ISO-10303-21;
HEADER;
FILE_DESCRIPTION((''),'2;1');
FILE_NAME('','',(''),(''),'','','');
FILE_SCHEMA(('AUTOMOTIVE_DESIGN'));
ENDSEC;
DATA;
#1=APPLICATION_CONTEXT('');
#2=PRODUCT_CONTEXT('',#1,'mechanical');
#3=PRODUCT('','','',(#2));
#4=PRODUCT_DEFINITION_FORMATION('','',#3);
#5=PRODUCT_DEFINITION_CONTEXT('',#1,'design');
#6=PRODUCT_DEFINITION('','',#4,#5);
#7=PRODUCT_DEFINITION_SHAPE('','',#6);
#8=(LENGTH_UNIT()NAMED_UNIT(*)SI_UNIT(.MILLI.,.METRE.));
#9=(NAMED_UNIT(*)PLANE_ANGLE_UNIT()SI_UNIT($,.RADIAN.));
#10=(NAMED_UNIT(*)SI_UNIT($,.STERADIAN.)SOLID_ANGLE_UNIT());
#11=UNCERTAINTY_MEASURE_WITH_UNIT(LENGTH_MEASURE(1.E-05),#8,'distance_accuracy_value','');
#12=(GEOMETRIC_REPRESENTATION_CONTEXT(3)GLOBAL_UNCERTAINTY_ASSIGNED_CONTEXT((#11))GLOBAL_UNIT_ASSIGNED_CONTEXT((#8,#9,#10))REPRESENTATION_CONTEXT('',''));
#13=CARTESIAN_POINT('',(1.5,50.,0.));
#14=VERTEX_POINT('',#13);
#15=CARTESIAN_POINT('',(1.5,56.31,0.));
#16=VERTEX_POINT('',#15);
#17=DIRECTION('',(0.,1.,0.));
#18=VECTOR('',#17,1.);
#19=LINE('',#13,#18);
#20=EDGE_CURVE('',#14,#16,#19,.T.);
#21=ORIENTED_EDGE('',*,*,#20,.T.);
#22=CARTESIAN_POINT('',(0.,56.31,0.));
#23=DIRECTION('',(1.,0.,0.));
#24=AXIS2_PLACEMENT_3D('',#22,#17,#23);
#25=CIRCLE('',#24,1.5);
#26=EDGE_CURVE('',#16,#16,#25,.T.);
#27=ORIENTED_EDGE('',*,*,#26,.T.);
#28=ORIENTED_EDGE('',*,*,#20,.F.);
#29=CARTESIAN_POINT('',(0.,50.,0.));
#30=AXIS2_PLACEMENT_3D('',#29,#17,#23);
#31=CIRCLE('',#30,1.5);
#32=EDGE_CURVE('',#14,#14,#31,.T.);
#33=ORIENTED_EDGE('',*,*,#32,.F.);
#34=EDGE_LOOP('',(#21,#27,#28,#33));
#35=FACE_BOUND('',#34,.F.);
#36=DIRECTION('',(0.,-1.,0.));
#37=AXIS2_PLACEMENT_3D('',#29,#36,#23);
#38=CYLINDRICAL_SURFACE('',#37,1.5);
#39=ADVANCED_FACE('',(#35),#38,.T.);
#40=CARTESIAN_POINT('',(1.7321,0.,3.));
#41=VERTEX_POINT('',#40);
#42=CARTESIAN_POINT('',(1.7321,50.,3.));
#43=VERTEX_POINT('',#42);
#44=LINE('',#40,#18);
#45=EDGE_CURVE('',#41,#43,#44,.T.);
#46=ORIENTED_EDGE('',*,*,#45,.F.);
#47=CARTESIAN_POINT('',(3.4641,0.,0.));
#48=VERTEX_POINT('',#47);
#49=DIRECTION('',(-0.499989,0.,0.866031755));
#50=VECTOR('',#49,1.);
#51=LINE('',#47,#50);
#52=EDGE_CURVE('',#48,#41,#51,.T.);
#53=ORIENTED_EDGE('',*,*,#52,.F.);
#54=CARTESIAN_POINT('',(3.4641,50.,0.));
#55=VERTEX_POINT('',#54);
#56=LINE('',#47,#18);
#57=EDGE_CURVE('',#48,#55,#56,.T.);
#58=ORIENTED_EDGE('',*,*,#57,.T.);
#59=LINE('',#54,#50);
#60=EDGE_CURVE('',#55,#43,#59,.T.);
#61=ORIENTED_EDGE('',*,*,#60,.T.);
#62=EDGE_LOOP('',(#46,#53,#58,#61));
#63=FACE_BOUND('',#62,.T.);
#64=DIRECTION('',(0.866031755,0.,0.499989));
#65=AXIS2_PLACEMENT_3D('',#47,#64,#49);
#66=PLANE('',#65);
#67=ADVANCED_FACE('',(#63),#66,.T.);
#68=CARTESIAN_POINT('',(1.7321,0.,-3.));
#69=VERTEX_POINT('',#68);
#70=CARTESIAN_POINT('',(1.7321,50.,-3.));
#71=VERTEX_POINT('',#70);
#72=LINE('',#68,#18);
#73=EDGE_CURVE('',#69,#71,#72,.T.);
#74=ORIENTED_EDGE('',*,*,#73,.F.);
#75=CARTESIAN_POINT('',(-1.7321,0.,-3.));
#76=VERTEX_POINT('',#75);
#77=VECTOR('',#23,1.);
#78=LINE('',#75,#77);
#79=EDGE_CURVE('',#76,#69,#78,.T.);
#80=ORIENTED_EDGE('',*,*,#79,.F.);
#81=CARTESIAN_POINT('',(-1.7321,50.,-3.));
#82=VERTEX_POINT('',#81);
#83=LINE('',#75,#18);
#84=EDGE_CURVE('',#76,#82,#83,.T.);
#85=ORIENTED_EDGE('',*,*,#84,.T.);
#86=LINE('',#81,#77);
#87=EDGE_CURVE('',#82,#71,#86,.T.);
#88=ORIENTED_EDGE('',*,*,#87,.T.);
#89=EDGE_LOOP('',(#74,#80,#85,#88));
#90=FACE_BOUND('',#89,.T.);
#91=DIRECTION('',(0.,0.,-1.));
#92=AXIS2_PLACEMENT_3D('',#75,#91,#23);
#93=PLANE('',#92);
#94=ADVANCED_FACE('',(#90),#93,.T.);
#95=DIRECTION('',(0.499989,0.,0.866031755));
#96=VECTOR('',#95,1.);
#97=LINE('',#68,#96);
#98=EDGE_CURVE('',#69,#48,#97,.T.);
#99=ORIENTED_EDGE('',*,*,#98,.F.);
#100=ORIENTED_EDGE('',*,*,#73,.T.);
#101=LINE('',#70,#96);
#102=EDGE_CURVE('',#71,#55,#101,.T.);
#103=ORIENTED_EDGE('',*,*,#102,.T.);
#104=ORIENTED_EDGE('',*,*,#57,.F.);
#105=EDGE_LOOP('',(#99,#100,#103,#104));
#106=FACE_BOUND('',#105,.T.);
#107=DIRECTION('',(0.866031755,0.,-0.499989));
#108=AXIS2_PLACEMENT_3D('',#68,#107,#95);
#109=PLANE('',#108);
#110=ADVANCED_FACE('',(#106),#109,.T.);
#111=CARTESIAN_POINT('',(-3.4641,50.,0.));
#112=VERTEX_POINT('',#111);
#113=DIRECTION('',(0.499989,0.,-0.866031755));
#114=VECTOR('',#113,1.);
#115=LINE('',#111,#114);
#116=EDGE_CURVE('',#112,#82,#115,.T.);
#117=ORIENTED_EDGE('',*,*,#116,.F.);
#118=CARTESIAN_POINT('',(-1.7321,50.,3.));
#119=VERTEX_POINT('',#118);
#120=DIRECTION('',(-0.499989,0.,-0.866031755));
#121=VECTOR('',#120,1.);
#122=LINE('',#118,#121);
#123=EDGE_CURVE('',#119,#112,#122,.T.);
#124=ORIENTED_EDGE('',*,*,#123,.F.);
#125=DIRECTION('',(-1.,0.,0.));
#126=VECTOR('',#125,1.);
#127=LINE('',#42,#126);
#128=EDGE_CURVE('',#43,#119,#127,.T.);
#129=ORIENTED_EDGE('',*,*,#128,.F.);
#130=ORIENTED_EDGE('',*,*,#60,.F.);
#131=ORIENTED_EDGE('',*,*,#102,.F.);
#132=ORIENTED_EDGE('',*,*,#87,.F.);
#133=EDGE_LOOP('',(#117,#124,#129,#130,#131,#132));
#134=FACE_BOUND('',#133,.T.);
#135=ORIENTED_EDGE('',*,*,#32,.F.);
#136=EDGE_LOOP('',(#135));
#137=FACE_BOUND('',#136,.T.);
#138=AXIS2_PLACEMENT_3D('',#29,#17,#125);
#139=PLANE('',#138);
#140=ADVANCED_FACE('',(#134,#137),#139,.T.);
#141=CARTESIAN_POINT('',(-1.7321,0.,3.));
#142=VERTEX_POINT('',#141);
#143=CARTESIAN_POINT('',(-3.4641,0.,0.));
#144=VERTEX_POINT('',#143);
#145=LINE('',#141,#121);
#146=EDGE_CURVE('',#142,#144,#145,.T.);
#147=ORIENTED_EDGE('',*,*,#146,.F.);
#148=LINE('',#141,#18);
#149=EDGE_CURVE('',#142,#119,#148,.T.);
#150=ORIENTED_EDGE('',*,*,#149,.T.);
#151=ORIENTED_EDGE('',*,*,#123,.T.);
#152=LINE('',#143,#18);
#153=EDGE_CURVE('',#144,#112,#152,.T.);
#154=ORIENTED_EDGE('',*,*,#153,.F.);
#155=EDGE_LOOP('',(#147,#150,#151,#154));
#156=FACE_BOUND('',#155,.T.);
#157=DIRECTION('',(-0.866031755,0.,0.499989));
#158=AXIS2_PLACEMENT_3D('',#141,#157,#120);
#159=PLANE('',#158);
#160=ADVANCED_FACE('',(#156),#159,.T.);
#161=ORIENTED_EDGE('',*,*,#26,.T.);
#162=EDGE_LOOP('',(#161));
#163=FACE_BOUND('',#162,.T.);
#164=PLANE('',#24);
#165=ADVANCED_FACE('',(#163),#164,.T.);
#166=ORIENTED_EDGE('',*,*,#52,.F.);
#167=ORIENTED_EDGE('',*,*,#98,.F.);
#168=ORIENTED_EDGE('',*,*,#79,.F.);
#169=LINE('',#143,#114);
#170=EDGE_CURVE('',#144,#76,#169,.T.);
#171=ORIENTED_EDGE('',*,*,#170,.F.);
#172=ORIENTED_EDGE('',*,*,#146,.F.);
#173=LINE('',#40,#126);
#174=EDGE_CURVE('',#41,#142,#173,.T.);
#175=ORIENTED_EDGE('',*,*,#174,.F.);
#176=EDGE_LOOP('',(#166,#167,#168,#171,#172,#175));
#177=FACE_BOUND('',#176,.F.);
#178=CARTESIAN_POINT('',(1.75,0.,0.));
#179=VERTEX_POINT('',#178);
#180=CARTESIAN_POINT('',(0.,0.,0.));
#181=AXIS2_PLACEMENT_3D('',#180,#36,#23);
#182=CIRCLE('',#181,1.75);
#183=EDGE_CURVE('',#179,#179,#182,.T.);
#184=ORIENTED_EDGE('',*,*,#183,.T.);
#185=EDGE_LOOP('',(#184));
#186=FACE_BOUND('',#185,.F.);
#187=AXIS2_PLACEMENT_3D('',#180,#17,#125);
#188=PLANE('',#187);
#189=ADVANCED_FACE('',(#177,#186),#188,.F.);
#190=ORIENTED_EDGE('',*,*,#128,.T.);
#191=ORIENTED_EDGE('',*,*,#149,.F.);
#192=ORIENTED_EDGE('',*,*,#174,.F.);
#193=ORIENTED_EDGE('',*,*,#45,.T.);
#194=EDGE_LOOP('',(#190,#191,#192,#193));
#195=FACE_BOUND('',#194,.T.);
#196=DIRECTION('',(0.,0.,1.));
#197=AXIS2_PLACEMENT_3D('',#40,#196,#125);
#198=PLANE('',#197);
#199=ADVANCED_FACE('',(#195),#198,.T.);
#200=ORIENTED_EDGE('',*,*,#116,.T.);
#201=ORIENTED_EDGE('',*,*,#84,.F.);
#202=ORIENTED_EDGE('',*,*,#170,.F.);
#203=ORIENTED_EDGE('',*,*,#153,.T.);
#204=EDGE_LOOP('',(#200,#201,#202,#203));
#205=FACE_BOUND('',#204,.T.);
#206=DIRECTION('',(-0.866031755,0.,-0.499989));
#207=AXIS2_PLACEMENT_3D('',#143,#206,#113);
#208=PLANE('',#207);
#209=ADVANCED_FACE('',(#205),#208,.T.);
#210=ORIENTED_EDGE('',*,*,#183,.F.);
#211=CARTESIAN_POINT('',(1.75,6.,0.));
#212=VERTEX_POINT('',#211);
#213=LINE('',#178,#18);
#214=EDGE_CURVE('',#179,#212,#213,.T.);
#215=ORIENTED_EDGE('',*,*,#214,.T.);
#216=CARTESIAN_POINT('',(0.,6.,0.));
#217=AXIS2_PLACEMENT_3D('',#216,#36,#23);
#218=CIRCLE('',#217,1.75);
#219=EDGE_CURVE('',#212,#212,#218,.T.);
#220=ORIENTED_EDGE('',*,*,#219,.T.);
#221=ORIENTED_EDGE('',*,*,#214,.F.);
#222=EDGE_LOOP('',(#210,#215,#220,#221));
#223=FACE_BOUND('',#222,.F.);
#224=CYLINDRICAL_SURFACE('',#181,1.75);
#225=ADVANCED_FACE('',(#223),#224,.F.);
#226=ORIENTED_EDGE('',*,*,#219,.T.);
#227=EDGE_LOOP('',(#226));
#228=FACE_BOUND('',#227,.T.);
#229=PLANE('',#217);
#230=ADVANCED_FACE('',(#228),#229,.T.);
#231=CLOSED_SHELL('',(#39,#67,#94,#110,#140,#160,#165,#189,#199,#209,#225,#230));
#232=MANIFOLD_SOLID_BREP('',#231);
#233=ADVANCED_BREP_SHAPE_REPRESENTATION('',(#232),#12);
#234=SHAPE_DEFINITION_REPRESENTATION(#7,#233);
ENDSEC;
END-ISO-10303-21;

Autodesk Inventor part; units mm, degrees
ref_plane "YZ Plane" through (0, 0, 0) normal (1, 0, 0) x (0, 1, 0)
ref_plane "XZ Plane" through (0, 0, 0) normal (0, 1, 0) x (-1, 0, 0)
ref_plane "XY Plane" through (0, 0, 0) normal (0, 0, 1) x (1, 0, 0)
sketch "Sketch1" plane through (0, 0, 0) normal (0, 1, 0) x (-1, 0, 0)
  line L0 (-3.4641, 0) -> (-1.7321, 3)
  line L1 (-1.7321, 3) -> (1.7321, 3)
  line L2 (1.7321, 3) -> (3.4641, 0)
  line L3 (3.4641, 0) -> (1.7321, -3)
  line L4 (1.7321, -3) -> (-1.7321, -3)
  line L5 (-1.7321, -3) -> (-3.4641, 0)
  point P0 (0, 0)
  point P1 (0, 0)
  dimension "d1" = 6
extrude "Extrusion1" add sketch "Sketch1" along normal blind 50
sketch "Sketch2" plane through (0, 0, 0) normal (0, -1, 0) x (1, 0, 0)
  circle A0 centre (0, 0) radius 1.75
  dimension "d4" = 3.5
sketch "Sketch3" plane through (0, 50, 0) normal (0, 1, 0) x (1, 0, 0)
  circle A0 centre (0, 0) radius 1.5
  dimension "d5" = 3
extrude "Extrusion2" add sketch "Sketch3" along normal blind 6.31
extrude "Extrusion3" cut sketch "Sketch2" against normal blind 6
thread "Thread1" size "M3x0.35" class "6g" standard "ANSI Metric M Profile" full length
thread "Thread2" size "M4x0.5" class "6H" standard "ANSI Metric M Profile" full length
properties part number "spacer5cm"
